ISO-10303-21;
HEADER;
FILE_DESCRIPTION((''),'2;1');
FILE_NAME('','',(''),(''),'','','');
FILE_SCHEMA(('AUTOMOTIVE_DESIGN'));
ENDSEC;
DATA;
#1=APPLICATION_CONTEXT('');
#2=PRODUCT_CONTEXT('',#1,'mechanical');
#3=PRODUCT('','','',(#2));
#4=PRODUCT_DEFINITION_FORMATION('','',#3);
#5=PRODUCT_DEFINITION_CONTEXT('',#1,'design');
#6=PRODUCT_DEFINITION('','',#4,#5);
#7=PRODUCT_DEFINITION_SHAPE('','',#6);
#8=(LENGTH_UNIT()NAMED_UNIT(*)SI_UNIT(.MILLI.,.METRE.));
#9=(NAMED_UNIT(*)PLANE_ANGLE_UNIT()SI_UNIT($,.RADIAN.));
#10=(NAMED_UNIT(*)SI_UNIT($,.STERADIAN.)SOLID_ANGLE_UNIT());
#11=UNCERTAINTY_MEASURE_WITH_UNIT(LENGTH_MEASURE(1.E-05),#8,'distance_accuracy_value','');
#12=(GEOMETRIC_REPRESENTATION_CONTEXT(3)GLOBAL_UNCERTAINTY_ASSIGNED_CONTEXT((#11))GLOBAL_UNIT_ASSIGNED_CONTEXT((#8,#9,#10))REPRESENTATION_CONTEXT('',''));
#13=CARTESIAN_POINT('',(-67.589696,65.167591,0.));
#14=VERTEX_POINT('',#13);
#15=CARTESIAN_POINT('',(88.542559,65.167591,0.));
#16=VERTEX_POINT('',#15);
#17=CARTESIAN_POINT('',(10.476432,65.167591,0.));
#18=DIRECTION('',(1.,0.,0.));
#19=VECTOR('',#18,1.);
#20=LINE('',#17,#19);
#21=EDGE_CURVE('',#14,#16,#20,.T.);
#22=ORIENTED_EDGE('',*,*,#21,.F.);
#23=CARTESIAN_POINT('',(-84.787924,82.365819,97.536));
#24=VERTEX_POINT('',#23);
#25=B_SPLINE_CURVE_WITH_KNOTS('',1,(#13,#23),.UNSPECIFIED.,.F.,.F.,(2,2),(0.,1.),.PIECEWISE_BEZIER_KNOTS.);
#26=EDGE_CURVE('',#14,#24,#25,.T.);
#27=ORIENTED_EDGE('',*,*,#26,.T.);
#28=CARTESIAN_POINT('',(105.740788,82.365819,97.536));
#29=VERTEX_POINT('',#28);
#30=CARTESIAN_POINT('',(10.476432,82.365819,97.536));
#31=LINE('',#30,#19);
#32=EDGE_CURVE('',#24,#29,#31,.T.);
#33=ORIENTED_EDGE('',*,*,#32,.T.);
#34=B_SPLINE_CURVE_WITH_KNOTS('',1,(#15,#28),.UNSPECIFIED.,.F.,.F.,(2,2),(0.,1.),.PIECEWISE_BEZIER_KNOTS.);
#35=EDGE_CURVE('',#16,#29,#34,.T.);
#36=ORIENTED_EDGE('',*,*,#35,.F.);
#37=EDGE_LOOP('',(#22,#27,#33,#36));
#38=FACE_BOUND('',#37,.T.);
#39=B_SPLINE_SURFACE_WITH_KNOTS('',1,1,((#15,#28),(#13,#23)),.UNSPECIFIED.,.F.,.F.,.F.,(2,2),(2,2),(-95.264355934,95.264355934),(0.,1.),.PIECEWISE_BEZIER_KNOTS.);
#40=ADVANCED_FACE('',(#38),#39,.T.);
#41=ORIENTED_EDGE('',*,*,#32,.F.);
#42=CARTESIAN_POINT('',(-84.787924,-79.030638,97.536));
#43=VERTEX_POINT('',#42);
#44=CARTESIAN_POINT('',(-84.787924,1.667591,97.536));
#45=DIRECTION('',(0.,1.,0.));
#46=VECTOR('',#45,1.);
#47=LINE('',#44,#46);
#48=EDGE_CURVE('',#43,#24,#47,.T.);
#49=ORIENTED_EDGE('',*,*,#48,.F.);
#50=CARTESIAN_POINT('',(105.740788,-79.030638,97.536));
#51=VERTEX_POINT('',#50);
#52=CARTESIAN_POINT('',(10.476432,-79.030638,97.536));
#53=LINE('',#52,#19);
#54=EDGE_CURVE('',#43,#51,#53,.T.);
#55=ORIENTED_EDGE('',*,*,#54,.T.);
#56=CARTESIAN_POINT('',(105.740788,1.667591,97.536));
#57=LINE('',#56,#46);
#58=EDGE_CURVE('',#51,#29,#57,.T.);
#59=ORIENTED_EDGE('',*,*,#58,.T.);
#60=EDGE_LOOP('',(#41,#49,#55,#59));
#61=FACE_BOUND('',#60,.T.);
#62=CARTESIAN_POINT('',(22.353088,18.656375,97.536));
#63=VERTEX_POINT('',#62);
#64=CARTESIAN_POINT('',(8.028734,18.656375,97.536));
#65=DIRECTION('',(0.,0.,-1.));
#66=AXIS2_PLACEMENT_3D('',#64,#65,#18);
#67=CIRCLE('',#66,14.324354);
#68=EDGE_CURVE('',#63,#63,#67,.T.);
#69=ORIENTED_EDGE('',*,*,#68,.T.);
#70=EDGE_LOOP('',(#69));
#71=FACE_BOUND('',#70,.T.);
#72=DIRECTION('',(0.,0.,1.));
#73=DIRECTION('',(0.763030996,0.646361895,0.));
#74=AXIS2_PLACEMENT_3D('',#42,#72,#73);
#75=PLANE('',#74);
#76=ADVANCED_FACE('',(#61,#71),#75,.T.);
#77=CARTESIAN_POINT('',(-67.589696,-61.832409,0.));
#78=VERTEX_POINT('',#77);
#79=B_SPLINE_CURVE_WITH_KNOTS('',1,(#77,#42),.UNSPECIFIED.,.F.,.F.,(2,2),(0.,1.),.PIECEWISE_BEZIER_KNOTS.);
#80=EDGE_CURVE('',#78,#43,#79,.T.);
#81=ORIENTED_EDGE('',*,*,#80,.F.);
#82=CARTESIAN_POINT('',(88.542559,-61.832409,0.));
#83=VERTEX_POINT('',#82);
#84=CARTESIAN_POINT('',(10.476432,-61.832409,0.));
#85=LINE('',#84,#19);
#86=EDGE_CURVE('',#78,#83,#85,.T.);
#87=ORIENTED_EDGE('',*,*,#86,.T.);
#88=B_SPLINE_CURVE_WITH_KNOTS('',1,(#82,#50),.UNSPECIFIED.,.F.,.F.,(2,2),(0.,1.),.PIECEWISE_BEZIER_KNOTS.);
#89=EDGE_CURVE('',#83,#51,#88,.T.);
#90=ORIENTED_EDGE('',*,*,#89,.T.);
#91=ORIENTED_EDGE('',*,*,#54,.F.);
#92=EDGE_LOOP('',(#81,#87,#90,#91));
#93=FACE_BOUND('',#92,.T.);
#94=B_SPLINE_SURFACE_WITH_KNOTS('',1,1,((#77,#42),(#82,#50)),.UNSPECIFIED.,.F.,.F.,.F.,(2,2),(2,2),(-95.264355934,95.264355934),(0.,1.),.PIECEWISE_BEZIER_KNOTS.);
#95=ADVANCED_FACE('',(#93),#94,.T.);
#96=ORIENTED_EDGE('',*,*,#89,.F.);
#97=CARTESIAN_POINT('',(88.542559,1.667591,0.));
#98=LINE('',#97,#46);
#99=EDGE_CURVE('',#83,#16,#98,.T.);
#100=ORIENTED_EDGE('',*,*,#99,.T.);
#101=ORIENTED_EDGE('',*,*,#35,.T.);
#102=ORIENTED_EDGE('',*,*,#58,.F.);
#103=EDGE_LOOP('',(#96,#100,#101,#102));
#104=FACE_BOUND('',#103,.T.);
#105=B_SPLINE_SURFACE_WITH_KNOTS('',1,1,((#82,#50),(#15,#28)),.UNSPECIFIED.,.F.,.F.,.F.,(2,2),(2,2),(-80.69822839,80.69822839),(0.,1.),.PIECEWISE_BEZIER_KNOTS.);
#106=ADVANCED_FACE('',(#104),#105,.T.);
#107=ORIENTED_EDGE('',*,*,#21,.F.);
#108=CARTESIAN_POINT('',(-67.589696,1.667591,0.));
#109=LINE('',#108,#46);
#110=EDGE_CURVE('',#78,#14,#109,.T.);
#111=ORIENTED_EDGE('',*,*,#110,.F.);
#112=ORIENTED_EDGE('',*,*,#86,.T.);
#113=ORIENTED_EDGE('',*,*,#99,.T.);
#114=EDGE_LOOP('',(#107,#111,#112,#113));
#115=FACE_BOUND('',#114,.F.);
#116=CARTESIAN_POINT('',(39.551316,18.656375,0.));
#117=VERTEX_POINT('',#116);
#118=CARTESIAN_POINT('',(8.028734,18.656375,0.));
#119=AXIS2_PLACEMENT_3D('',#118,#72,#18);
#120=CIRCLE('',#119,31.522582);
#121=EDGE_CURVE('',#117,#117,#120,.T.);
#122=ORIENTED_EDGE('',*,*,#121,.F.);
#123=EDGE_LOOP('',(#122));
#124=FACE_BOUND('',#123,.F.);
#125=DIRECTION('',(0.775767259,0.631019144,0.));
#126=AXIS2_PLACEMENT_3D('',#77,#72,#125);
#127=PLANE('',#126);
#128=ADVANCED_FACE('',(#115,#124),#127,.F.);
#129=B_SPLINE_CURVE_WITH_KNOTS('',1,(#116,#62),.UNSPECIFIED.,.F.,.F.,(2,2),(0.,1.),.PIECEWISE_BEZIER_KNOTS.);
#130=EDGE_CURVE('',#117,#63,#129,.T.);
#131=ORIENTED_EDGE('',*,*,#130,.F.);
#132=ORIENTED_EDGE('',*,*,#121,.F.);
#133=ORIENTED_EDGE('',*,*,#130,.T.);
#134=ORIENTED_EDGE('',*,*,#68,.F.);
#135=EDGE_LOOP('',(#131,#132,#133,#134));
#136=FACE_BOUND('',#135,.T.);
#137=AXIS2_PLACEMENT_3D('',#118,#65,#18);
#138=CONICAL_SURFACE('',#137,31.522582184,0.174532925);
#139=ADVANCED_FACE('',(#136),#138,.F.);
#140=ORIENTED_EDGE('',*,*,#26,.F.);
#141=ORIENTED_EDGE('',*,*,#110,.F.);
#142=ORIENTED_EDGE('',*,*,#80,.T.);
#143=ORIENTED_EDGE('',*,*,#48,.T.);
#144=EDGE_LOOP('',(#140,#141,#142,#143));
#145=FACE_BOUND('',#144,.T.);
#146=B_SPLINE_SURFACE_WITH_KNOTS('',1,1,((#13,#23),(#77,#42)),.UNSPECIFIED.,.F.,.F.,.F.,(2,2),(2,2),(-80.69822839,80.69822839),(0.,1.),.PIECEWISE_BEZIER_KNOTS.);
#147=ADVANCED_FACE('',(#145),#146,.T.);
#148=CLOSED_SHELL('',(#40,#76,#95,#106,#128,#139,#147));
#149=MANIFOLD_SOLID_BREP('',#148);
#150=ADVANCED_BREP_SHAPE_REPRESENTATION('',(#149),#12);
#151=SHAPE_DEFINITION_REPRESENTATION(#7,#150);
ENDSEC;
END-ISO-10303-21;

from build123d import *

# Parameters (mm, degrees)
F0_W     = 156.1322550866
F0_H     = 127
F0_R     = 31.5225821841
F1_DEPTH = 97.536
F1_TAPER = -10


with BuildPart() as f1:
    # F0 (on Top) → F1 (new body)
    with BuildSketch(Plane.XY):
        with Locations((10.4764318094, 1.6675908118)):
            Rectangle(F0_W, F0_H)
        with Locations((8.0287339798, 18.6563748297)):
            Circle(F0_R, mode=Mode.SUBTRACT)
    extrude(amount=F1_DEPTH, taper=F1_TAPER)


solid = f1.part
